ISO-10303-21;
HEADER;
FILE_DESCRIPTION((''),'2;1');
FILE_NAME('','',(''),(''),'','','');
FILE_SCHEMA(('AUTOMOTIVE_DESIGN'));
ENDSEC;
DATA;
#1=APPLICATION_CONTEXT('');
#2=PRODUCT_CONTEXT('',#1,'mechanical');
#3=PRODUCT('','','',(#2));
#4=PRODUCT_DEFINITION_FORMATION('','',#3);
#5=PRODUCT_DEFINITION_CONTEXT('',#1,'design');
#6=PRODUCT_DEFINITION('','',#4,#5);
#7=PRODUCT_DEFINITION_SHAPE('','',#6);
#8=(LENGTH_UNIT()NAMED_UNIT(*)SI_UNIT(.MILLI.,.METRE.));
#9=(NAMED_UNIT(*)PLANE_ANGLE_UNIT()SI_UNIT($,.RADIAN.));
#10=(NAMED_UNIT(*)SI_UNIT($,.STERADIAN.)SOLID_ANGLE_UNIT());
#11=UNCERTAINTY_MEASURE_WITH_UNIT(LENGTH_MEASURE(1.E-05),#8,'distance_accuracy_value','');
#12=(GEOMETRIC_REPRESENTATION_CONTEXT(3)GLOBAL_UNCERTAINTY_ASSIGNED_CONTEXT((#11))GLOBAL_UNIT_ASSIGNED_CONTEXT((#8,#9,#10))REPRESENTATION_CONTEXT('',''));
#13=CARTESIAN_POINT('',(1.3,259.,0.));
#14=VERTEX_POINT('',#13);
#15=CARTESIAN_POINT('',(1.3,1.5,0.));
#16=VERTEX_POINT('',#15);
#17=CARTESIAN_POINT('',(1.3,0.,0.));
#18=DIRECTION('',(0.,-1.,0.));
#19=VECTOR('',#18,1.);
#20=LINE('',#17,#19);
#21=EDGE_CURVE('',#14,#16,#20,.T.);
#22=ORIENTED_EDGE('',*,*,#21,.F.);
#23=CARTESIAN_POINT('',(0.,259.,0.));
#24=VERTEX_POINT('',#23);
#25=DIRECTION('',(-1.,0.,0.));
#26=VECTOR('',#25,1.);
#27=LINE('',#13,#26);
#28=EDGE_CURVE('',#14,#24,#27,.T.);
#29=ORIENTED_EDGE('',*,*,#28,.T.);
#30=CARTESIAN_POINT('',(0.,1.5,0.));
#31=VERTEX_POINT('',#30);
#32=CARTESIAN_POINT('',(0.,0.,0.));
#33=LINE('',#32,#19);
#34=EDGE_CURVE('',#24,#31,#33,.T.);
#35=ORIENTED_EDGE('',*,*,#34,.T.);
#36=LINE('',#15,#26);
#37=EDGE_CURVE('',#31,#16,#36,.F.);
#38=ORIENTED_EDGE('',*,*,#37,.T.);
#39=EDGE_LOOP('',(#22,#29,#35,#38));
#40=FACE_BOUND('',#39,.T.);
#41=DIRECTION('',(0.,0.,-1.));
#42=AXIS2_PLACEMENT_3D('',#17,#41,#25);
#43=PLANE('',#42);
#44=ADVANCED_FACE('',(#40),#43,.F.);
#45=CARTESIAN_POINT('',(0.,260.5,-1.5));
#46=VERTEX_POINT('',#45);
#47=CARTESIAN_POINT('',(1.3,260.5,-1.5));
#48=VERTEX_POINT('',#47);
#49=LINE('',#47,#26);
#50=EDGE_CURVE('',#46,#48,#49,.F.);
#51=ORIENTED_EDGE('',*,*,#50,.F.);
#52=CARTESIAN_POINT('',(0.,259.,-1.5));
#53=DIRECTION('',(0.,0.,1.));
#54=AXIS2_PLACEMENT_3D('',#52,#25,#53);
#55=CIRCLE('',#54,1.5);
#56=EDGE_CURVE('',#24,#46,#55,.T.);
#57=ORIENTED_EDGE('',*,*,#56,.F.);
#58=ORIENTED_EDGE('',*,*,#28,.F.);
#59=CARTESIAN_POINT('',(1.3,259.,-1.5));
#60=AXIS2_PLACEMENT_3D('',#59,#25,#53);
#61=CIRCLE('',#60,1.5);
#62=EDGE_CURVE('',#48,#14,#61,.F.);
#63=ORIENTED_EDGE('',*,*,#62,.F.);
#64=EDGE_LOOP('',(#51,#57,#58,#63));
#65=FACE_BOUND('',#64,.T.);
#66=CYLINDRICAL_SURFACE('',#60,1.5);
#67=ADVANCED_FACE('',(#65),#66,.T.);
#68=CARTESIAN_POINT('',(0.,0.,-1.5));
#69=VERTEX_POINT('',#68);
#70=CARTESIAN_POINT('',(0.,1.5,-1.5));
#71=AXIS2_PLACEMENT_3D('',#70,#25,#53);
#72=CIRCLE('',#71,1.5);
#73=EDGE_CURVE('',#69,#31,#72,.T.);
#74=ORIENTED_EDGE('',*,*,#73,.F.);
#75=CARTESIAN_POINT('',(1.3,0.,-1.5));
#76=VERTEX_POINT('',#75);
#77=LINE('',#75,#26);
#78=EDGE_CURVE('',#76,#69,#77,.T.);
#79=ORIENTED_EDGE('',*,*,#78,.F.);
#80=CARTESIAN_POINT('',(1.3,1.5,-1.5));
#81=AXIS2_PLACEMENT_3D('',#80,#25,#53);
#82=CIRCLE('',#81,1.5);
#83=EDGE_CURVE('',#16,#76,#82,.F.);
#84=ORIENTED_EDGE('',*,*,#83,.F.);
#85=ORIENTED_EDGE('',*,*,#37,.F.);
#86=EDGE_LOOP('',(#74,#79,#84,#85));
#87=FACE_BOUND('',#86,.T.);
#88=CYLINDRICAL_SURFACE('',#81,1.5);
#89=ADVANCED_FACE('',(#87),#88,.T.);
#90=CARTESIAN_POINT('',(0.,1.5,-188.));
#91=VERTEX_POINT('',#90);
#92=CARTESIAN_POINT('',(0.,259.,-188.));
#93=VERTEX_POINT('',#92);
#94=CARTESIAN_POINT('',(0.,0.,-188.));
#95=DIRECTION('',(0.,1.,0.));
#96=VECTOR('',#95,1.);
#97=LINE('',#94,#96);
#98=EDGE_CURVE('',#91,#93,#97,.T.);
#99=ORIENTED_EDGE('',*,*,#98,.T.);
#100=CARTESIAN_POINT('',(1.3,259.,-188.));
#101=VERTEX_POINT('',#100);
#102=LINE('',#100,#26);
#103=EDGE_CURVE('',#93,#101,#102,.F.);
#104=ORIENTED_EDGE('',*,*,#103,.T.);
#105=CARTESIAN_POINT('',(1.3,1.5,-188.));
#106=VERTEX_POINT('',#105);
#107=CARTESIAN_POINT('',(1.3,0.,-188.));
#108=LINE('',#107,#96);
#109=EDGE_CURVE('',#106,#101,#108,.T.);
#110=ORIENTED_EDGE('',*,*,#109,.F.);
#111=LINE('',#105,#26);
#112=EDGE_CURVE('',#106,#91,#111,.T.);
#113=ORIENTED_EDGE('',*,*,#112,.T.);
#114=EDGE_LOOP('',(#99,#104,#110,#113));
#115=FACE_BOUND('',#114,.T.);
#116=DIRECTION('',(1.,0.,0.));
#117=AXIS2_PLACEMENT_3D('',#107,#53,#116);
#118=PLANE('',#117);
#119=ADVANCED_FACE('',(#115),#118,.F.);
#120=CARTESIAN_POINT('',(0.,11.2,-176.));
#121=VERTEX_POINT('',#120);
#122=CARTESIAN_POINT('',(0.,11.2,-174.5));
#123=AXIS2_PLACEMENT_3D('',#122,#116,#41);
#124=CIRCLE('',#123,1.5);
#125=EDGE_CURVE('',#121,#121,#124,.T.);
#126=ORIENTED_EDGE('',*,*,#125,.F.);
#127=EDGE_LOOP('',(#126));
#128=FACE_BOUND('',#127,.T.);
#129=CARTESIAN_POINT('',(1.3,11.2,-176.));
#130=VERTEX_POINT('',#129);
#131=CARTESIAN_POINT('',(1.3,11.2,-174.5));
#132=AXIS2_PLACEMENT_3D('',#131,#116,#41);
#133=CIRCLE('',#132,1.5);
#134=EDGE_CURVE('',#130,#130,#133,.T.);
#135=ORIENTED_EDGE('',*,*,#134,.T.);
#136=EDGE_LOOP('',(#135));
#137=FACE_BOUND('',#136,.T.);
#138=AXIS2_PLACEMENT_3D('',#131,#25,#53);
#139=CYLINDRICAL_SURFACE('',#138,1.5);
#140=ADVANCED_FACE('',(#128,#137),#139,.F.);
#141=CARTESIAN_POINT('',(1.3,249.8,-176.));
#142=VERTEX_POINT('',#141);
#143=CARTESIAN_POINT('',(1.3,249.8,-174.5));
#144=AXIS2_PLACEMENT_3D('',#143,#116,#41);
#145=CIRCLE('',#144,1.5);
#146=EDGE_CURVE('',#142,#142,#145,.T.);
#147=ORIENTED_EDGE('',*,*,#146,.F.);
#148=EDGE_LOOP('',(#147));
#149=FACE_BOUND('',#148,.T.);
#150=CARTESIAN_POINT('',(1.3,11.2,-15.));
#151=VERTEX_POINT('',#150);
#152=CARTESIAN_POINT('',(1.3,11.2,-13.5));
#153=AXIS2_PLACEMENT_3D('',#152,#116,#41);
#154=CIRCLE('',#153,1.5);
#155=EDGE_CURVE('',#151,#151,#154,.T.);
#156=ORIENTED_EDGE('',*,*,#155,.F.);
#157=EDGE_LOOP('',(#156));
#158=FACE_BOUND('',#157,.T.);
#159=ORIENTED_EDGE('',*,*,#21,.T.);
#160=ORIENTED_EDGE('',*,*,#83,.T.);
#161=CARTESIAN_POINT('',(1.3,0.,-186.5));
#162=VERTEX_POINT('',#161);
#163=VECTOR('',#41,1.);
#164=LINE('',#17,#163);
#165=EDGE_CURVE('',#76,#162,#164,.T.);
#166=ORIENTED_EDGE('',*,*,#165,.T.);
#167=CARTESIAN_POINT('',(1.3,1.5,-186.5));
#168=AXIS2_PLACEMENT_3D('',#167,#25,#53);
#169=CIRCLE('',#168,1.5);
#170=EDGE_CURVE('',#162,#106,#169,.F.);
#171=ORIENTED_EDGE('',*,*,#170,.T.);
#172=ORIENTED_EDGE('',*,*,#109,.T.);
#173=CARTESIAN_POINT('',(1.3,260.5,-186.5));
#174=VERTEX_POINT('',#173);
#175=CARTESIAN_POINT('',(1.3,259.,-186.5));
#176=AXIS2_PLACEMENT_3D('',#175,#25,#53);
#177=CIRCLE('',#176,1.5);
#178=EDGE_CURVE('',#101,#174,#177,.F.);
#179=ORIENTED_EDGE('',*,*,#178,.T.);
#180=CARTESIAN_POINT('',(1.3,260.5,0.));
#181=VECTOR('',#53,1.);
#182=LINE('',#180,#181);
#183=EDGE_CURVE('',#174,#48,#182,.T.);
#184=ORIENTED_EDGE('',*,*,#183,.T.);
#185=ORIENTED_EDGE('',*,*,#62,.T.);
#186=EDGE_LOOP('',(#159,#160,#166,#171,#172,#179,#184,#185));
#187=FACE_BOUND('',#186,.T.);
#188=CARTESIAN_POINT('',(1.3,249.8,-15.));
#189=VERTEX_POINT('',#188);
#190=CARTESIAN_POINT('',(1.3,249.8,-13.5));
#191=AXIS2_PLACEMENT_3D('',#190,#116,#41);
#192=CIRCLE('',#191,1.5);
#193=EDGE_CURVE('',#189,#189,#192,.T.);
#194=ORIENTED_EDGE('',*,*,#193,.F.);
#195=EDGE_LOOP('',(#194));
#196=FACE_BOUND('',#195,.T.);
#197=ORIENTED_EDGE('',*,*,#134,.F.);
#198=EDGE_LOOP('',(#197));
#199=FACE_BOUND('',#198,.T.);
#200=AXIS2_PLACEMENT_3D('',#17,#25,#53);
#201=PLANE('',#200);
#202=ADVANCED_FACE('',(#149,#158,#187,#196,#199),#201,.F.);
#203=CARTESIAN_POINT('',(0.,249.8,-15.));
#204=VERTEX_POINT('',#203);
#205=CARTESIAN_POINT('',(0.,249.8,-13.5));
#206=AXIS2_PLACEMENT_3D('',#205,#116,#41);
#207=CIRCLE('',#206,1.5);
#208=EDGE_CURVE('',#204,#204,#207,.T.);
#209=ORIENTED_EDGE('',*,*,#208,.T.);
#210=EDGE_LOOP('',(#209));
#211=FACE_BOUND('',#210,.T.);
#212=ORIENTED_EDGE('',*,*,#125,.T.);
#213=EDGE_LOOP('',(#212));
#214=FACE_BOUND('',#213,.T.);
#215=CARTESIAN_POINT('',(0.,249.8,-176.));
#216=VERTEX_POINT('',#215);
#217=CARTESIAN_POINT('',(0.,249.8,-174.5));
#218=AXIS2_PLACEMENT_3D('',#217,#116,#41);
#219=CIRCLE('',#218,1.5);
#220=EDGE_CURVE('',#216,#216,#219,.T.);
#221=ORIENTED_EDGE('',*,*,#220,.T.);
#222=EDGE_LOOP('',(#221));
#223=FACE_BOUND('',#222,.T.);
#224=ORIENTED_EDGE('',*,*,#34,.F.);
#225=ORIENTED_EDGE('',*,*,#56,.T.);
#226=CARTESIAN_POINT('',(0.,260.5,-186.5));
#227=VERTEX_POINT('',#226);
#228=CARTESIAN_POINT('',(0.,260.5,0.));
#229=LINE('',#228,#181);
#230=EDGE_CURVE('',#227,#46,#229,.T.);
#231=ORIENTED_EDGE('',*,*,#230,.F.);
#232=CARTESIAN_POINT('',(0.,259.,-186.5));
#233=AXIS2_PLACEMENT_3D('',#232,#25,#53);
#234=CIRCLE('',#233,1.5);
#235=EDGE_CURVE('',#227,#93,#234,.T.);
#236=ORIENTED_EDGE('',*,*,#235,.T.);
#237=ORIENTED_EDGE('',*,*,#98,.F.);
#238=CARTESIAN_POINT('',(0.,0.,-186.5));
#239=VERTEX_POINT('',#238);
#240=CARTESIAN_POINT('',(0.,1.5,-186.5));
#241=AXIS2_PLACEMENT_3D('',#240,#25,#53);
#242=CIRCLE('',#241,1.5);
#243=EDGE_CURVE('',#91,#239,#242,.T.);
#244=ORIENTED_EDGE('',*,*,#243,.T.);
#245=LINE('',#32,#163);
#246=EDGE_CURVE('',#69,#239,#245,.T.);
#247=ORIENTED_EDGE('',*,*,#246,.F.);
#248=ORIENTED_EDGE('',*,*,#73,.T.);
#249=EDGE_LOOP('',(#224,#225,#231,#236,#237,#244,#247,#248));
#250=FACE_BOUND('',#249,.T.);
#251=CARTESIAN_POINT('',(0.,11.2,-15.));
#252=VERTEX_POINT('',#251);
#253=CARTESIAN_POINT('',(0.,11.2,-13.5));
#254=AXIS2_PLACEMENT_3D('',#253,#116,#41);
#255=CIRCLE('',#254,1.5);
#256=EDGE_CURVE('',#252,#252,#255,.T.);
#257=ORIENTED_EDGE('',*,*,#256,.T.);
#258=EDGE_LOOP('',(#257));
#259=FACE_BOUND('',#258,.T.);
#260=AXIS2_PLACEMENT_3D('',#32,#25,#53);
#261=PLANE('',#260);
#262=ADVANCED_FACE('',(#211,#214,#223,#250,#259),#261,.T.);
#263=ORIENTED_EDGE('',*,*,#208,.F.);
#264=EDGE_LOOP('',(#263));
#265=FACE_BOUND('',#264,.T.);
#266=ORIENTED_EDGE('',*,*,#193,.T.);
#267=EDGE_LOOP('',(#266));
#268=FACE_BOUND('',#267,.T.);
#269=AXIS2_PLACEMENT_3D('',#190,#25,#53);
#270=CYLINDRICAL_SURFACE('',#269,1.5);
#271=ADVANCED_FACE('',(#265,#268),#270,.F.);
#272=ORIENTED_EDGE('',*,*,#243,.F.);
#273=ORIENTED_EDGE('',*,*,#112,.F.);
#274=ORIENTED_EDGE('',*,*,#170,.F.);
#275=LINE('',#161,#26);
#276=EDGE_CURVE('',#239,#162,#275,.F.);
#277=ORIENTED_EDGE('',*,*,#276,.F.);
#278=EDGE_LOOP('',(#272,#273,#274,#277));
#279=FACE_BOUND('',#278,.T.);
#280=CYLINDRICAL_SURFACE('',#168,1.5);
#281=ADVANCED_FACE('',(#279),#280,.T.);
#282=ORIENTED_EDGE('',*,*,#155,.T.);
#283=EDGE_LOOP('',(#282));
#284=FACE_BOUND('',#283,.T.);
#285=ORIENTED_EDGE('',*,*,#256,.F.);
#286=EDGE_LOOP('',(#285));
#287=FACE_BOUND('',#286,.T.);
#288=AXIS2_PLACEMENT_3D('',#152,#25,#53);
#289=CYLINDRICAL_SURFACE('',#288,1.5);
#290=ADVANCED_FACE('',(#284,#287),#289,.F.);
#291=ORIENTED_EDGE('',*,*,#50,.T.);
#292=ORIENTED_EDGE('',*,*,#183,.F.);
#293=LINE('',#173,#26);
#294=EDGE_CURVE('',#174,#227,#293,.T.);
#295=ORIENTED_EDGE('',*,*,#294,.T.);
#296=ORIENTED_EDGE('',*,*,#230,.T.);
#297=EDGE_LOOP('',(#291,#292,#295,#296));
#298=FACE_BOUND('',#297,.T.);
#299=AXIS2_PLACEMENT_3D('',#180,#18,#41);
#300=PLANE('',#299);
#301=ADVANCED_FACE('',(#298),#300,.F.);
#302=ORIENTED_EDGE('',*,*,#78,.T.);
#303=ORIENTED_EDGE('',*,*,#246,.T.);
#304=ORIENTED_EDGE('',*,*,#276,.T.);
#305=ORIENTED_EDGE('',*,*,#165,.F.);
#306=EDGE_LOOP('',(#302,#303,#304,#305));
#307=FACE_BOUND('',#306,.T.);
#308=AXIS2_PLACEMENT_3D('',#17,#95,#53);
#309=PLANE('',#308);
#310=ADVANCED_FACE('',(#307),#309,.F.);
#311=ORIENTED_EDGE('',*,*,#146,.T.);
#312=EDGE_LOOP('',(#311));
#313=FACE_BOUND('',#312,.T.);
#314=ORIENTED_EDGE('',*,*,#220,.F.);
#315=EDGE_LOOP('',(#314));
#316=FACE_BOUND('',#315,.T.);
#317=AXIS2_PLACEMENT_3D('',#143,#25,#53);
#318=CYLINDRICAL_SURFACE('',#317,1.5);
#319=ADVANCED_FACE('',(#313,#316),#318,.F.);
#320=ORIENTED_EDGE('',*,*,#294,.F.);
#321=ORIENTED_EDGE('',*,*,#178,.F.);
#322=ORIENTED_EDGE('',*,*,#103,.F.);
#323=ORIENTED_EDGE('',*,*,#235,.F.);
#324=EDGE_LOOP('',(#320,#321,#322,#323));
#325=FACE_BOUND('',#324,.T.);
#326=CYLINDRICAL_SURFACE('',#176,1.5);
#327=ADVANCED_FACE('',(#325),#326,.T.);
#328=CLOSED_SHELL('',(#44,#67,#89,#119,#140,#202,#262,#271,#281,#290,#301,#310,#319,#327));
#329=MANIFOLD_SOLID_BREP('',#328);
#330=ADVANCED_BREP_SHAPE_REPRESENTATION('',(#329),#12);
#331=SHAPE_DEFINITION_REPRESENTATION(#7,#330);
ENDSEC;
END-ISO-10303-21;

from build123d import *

# Parameters (mm, degrees)
SKETCH_1_W      = 188
SKETCH_1_H      = 260.5
SKETCH_1_R      = 1.5
EXTRUDE_2_DEPTH = 1.3
FILLET_1_R      = 1.5


with BuildPart() as part:
    # 草图1 → 凸台-拉伸2 (new body)
    with BuildSketch(Plane(origin=(0, 0, 0), x_dir=(0, 0, -1), z_dir=(1, 0, 0))):
        with Locations((94, 130.25)):
            Rectangle(SKETCH_1_W, SKETCH_1_H)
        with Locations((174.5, 249.8)):
            Circle(SKETCH_1_R, mode=Mode.SUBTRACT)
        with Locations((174.5, 11.2)):
            Circle(SKETCH_1_R, mode=Mode.SUBTRACT)
        with Locations((13.5, 249.8)):
            Circle(SKETCH_1_R, mode=Mode.SUBTRACT)
        with Locations((13.5, 11.2)):
            Circle(SKETCH_1_R, mode=Mode.SUBTRACT)
    extrude(amount=EXTRUDE_2_DEPTH)

    # 圆角1
    fillet_1_edges = [part.edges().sort_by_distance(p)[0] for p in [
        (0.65, 260.5, 0),
        (0.65, 260.5, -188),
        (0.65, 0, -188),
        (0.65, 0, 0),
    ]]
    fillet(fillet_1_edges, radius=FILLET_1_R)


solid = part.part
